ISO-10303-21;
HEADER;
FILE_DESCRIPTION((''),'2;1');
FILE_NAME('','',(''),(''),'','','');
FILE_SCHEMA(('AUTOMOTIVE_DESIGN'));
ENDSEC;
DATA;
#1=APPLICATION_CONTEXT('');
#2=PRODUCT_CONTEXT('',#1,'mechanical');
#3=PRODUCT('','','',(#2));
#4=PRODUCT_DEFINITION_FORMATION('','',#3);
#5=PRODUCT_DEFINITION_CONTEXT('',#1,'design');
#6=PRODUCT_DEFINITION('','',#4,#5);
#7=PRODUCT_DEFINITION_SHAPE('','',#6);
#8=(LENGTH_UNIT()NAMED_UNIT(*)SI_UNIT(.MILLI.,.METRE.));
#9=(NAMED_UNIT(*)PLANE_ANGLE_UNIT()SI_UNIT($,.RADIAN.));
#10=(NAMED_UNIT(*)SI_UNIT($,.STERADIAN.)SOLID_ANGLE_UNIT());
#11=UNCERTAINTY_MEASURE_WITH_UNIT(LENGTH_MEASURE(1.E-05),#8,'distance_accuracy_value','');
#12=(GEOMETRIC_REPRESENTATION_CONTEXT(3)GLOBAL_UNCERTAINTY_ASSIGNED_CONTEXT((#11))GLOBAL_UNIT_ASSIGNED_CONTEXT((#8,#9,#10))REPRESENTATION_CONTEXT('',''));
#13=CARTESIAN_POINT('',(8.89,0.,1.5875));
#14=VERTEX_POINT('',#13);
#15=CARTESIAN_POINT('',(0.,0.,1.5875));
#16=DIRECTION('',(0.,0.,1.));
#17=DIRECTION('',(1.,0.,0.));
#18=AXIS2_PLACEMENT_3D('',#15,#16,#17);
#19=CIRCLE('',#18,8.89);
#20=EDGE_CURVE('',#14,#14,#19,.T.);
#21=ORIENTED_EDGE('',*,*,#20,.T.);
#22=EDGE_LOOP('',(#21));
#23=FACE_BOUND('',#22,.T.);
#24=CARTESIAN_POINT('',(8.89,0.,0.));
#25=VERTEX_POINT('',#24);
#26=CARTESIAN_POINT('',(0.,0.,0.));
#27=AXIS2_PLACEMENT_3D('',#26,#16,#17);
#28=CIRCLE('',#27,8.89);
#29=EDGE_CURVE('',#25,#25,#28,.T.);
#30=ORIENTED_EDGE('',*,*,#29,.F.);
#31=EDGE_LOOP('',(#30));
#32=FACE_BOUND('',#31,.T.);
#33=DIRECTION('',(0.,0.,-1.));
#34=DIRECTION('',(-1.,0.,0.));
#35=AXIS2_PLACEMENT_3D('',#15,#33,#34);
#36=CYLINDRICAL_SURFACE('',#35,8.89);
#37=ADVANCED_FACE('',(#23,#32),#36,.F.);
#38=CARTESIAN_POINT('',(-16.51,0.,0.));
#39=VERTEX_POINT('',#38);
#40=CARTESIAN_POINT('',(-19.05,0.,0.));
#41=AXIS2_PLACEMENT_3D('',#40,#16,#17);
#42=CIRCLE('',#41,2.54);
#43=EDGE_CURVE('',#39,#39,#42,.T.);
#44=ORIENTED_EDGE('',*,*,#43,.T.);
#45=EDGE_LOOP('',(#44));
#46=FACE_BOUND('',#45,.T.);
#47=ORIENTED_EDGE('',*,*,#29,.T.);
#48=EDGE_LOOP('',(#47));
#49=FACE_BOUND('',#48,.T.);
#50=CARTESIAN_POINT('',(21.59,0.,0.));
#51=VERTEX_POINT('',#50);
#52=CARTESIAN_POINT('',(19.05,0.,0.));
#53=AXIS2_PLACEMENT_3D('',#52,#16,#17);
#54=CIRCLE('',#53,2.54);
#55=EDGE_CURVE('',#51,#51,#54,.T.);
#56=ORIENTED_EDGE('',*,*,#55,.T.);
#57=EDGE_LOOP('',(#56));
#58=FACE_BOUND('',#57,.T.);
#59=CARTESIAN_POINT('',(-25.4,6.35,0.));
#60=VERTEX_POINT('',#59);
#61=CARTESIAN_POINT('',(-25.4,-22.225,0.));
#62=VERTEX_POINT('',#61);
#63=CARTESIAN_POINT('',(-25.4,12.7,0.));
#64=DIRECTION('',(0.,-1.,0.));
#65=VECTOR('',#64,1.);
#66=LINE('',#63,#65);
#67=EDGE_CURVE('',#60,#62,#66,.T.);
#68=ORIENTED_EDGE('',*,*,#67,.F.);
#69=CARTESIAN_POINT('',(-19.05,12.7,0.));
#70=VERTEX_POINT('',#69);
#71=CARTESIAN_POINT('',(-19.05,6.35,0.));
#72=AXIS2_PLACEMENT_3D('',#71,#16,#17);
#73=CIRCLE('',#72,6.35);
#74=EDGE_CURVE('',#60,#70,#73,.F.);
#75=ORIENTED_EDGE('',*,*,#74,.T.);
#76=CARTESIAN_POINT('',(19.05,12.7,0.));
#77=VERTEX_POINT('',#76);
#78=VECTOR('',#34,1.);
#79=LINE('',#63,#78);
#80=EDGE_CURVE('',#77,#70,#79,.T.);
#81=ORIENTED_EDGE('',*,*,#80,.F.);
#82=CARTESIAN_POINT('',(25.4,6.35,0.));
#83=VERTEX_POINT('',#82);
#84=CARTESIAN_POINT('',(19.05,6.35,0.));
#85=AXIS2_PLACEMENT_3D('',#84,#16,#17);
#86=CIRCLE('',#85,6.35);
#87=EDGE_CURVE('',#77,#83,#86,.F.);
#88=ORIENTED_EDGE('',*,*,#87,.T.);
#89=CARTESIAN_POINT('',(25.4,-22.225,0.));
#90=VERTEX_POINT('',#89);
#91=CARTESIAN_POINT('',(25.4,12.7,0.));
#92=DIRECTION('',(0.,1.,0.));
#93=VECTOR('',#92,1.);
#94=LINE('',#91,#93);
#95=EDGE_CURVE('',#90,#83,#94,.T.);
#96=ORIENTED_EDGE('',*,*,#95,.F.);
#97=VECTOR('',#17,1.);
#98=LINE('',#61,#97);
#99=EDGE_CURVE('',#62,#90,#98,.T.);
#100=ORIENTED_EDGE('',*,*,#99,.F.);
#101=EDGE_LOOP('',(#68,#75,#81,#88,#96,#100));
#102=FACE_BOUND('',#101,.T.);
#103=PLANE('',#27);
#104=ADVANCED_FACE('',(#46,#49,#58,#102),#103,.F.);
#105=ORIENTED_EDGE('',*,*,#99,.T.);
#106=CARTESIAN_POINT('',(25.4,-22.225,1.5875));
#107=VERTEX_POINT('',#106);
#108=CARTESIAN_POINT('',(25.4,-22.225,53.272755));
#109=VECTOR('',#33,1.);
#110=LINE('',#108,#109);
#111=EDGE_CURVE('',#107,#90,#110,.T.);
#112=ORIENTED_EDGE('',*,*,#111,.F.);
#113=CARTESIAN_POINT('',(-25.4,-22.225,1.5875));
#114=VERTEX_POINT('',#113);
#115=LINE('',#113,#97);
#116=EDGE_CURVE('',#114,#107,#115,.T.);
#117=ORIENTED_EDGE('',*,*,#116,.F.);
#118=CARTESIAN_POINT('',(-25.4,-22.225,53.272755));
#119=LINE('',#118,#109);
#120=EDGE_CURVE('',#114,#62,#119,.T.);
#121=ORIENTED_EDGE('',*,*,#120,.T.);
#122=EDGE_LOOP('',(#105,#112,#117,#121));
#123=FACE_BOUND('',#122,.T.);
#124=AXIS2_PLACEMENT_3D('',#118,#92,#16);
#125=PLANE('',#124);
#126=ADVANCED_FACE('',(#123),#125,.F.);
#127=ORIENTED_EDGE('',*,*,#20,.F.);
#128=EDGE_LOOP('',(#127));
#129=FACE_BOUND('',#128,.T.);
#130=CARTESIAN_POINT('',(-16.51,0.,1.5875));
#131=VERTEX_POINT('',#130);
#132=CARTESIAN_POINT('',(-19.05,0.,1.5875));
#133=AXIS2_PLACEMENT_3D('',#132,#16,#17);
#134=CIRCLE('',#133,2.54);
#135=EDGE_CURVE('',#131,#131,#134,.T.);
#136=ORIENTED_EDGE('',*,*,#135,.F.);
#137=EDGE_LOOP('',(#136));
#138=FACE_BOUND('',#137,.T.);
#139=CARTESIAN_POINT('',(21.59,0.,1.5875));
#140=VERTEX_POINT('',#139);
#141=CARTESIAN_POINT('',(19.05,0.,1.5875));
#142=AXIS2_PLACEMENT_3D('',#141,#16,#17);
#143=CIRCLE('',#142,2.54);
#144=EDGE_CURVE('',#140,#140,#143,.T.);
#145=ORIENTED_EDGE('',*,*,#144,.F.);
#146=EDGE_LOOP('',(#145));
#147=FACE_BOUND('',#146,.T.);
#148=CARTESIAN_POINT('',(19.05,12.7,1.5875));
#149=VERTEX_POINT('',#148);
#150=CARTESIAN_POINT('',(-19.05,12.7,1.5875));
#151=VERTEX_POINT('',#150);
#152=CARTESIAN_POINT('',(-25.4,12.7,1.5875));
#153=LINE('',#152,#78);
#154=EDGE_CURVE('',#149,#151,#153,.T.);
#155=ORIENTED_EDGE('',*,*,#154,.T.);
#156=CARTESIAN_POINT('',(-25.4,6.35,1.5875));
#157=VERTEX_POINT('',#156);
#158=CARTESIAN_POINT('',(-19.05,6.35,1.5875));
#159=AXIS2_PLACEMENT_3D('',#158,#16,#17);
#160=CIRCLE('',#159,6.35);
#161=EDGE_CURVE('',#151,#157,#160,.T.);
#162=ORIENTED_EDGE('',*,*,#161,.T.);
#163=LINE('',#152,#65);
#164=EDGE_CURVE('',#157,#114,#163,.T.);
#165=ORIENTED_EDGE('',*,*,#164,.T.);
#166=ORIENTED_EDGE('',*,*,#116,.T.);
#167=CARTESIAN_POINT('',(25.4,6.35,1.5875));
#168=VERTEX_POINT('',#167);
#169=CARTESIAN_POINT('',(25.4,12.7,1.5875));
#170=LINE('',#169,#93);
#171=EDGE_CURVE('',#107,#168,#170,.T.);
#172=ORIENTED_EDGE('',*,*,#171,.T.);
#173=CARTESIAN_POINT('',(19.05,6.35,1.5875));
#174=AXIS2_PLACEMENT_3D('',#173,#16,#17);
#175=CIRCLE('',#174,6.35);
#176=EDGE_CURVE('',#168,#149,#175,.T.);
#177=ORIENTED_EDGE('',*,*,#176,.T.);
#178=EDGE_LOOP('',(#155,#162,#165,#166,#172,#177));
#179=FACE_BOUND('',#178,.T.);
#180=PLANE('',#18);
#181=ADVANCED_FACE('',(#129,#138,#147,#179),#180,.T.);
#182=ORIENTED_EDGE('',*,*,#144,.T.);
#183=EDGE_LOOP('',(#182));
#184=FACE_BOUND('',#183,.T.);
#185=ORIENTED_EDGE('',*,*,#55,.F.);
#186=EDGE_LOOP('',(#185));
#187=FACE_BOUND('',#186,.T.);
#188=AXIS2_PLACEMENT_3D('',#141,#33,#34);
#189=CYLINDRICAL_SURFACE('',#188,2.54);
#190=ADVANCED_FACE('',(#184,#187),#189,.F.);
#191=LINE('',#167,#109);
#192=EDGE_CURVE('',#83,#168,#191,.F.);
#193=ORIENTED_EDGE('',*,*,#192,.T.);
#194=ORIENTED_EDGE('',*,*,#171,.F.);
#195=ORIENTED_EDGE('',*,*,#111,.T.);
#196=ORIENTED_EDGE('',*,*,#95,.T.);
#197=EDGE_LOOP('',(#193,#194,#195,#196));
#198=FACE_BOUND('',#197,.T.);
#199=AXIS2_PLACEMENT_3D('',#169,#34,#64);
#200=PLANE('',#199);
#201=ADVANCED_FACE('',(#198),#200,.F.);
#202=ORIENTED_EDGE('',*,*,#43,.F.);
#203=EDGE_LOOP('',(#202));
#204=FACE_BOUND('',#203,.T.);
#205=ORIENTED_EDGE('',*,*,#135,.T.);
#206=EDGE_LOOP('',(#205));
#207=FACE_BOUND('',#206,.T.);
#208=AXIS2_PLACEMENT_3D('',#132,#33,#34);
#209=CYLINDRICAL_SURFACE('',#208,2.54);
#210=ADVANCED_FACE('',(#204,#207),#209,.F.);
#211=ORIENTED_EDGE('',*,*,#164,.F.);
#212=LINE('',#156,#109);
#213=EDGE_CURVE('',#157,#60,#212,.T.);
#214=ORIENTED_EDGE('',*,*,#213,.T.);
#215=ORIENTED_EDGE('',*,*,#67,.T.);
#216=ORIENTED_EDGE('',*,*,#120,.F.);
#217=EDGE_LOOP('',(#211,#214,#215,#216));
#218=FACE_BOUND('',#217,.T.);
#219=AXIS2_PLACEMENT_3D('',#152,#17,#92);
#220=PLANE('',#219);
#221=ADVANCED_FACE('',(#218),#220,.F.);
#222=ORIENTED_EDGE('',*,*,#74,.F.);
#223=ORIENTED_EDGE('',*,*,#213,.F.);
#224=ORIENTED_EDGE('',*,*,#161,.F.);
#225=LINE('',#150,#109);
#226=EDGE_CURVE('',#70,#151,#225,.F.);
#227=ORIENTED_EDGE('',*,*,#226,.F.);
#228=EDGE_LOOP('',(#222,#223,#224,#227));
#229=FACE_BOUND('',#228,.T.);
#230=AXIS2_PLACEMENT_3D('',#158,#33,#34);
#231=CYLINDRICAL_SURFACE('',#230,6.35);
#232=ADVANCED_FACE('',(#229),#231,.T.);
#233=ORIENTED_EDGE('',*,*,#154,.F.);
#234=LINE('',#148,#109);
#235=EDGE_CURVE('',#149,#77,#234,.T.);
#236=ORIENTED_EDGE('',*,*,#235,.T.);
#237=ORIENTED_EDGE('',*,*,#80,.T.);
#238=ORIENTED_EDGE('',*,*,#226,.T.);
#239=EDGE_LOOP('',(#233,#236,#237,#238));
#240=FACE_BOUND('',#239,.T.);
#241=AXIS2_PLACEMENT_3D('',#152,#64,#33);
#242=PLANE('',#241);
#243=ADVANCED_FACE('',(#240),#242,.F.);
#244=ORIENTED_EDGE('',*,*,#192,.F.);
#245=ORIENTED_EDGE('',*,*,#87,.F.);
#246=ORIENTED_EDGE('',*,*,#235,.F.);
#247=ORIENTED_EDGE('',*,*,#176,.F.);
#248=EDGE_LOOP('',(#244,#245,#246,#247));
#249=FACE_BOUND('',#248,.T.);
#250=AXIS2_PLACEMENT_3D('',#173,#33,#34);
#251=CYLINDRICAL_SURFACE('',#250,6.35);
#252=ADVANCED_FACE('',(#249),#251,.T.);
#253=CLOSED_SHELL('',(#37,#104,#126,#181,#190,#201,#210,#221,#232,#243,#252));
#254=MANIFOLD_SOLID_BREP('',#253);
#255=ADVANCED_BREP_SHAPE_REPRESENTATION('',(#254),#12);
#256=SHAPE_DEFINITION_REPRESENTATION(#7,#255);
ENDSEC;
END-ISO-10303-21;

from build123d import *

# Parameters (mm, degrees)
SKETCH1_W           = 50.8
SKETCH1_H           = 25.4
SKETCH1_R           = 8.89
SKETCH1_R_2         = 2.54
BOSS_EXTRUDE1_DEPTH = 1.5875
SKETCH3_W           = 50.8
SKETCH3_H           = 9.525
BOSS_EXTRUDE2_DEPTH = 1.5875
FILLET1_R           = 6.35


with BuildPart() as part:
    # Sketch1 → Boss-Extrude1 (new body)
    with BuildSketch(Plane.XY):
        Rectangle(SKETCH1_W, SKETCH1_H)
        Circle(SKETCH1_R, mode=Mode.SUBTRACT)
        with Locations((19.05, 0)):
            Circle(SKETCH1_R_2, mode=Mode.SUBTRACT)
        with Locations((-19.05, 0)):
            Circle(SKETCH1_R_2, mode=Mode.SUBTRACT)
    extrude(amount=BOSS_EXTRUDE1_DEPTH)

    # Sketch3 → Boss-Extrude2 (add)
    with BuildSketch(Plane.XY):
        with Locations((0, -17.4625)):
            Rectangle(SKETCH3_W, SKETCH3_H)
    extrude(amount=BOSS_EXTRUDE2_DEPTH)

    # Fillet1
    fillet1_edges = [part.edges().sort_by_distance(p)[0] for p in [
        (-25.4, 12.7, 0.79375),
        (25.4, 12.7, 0.79375),
    ]]
    fillet(fillet1_edges, radius=FILLET1_R)


solid = part.part
